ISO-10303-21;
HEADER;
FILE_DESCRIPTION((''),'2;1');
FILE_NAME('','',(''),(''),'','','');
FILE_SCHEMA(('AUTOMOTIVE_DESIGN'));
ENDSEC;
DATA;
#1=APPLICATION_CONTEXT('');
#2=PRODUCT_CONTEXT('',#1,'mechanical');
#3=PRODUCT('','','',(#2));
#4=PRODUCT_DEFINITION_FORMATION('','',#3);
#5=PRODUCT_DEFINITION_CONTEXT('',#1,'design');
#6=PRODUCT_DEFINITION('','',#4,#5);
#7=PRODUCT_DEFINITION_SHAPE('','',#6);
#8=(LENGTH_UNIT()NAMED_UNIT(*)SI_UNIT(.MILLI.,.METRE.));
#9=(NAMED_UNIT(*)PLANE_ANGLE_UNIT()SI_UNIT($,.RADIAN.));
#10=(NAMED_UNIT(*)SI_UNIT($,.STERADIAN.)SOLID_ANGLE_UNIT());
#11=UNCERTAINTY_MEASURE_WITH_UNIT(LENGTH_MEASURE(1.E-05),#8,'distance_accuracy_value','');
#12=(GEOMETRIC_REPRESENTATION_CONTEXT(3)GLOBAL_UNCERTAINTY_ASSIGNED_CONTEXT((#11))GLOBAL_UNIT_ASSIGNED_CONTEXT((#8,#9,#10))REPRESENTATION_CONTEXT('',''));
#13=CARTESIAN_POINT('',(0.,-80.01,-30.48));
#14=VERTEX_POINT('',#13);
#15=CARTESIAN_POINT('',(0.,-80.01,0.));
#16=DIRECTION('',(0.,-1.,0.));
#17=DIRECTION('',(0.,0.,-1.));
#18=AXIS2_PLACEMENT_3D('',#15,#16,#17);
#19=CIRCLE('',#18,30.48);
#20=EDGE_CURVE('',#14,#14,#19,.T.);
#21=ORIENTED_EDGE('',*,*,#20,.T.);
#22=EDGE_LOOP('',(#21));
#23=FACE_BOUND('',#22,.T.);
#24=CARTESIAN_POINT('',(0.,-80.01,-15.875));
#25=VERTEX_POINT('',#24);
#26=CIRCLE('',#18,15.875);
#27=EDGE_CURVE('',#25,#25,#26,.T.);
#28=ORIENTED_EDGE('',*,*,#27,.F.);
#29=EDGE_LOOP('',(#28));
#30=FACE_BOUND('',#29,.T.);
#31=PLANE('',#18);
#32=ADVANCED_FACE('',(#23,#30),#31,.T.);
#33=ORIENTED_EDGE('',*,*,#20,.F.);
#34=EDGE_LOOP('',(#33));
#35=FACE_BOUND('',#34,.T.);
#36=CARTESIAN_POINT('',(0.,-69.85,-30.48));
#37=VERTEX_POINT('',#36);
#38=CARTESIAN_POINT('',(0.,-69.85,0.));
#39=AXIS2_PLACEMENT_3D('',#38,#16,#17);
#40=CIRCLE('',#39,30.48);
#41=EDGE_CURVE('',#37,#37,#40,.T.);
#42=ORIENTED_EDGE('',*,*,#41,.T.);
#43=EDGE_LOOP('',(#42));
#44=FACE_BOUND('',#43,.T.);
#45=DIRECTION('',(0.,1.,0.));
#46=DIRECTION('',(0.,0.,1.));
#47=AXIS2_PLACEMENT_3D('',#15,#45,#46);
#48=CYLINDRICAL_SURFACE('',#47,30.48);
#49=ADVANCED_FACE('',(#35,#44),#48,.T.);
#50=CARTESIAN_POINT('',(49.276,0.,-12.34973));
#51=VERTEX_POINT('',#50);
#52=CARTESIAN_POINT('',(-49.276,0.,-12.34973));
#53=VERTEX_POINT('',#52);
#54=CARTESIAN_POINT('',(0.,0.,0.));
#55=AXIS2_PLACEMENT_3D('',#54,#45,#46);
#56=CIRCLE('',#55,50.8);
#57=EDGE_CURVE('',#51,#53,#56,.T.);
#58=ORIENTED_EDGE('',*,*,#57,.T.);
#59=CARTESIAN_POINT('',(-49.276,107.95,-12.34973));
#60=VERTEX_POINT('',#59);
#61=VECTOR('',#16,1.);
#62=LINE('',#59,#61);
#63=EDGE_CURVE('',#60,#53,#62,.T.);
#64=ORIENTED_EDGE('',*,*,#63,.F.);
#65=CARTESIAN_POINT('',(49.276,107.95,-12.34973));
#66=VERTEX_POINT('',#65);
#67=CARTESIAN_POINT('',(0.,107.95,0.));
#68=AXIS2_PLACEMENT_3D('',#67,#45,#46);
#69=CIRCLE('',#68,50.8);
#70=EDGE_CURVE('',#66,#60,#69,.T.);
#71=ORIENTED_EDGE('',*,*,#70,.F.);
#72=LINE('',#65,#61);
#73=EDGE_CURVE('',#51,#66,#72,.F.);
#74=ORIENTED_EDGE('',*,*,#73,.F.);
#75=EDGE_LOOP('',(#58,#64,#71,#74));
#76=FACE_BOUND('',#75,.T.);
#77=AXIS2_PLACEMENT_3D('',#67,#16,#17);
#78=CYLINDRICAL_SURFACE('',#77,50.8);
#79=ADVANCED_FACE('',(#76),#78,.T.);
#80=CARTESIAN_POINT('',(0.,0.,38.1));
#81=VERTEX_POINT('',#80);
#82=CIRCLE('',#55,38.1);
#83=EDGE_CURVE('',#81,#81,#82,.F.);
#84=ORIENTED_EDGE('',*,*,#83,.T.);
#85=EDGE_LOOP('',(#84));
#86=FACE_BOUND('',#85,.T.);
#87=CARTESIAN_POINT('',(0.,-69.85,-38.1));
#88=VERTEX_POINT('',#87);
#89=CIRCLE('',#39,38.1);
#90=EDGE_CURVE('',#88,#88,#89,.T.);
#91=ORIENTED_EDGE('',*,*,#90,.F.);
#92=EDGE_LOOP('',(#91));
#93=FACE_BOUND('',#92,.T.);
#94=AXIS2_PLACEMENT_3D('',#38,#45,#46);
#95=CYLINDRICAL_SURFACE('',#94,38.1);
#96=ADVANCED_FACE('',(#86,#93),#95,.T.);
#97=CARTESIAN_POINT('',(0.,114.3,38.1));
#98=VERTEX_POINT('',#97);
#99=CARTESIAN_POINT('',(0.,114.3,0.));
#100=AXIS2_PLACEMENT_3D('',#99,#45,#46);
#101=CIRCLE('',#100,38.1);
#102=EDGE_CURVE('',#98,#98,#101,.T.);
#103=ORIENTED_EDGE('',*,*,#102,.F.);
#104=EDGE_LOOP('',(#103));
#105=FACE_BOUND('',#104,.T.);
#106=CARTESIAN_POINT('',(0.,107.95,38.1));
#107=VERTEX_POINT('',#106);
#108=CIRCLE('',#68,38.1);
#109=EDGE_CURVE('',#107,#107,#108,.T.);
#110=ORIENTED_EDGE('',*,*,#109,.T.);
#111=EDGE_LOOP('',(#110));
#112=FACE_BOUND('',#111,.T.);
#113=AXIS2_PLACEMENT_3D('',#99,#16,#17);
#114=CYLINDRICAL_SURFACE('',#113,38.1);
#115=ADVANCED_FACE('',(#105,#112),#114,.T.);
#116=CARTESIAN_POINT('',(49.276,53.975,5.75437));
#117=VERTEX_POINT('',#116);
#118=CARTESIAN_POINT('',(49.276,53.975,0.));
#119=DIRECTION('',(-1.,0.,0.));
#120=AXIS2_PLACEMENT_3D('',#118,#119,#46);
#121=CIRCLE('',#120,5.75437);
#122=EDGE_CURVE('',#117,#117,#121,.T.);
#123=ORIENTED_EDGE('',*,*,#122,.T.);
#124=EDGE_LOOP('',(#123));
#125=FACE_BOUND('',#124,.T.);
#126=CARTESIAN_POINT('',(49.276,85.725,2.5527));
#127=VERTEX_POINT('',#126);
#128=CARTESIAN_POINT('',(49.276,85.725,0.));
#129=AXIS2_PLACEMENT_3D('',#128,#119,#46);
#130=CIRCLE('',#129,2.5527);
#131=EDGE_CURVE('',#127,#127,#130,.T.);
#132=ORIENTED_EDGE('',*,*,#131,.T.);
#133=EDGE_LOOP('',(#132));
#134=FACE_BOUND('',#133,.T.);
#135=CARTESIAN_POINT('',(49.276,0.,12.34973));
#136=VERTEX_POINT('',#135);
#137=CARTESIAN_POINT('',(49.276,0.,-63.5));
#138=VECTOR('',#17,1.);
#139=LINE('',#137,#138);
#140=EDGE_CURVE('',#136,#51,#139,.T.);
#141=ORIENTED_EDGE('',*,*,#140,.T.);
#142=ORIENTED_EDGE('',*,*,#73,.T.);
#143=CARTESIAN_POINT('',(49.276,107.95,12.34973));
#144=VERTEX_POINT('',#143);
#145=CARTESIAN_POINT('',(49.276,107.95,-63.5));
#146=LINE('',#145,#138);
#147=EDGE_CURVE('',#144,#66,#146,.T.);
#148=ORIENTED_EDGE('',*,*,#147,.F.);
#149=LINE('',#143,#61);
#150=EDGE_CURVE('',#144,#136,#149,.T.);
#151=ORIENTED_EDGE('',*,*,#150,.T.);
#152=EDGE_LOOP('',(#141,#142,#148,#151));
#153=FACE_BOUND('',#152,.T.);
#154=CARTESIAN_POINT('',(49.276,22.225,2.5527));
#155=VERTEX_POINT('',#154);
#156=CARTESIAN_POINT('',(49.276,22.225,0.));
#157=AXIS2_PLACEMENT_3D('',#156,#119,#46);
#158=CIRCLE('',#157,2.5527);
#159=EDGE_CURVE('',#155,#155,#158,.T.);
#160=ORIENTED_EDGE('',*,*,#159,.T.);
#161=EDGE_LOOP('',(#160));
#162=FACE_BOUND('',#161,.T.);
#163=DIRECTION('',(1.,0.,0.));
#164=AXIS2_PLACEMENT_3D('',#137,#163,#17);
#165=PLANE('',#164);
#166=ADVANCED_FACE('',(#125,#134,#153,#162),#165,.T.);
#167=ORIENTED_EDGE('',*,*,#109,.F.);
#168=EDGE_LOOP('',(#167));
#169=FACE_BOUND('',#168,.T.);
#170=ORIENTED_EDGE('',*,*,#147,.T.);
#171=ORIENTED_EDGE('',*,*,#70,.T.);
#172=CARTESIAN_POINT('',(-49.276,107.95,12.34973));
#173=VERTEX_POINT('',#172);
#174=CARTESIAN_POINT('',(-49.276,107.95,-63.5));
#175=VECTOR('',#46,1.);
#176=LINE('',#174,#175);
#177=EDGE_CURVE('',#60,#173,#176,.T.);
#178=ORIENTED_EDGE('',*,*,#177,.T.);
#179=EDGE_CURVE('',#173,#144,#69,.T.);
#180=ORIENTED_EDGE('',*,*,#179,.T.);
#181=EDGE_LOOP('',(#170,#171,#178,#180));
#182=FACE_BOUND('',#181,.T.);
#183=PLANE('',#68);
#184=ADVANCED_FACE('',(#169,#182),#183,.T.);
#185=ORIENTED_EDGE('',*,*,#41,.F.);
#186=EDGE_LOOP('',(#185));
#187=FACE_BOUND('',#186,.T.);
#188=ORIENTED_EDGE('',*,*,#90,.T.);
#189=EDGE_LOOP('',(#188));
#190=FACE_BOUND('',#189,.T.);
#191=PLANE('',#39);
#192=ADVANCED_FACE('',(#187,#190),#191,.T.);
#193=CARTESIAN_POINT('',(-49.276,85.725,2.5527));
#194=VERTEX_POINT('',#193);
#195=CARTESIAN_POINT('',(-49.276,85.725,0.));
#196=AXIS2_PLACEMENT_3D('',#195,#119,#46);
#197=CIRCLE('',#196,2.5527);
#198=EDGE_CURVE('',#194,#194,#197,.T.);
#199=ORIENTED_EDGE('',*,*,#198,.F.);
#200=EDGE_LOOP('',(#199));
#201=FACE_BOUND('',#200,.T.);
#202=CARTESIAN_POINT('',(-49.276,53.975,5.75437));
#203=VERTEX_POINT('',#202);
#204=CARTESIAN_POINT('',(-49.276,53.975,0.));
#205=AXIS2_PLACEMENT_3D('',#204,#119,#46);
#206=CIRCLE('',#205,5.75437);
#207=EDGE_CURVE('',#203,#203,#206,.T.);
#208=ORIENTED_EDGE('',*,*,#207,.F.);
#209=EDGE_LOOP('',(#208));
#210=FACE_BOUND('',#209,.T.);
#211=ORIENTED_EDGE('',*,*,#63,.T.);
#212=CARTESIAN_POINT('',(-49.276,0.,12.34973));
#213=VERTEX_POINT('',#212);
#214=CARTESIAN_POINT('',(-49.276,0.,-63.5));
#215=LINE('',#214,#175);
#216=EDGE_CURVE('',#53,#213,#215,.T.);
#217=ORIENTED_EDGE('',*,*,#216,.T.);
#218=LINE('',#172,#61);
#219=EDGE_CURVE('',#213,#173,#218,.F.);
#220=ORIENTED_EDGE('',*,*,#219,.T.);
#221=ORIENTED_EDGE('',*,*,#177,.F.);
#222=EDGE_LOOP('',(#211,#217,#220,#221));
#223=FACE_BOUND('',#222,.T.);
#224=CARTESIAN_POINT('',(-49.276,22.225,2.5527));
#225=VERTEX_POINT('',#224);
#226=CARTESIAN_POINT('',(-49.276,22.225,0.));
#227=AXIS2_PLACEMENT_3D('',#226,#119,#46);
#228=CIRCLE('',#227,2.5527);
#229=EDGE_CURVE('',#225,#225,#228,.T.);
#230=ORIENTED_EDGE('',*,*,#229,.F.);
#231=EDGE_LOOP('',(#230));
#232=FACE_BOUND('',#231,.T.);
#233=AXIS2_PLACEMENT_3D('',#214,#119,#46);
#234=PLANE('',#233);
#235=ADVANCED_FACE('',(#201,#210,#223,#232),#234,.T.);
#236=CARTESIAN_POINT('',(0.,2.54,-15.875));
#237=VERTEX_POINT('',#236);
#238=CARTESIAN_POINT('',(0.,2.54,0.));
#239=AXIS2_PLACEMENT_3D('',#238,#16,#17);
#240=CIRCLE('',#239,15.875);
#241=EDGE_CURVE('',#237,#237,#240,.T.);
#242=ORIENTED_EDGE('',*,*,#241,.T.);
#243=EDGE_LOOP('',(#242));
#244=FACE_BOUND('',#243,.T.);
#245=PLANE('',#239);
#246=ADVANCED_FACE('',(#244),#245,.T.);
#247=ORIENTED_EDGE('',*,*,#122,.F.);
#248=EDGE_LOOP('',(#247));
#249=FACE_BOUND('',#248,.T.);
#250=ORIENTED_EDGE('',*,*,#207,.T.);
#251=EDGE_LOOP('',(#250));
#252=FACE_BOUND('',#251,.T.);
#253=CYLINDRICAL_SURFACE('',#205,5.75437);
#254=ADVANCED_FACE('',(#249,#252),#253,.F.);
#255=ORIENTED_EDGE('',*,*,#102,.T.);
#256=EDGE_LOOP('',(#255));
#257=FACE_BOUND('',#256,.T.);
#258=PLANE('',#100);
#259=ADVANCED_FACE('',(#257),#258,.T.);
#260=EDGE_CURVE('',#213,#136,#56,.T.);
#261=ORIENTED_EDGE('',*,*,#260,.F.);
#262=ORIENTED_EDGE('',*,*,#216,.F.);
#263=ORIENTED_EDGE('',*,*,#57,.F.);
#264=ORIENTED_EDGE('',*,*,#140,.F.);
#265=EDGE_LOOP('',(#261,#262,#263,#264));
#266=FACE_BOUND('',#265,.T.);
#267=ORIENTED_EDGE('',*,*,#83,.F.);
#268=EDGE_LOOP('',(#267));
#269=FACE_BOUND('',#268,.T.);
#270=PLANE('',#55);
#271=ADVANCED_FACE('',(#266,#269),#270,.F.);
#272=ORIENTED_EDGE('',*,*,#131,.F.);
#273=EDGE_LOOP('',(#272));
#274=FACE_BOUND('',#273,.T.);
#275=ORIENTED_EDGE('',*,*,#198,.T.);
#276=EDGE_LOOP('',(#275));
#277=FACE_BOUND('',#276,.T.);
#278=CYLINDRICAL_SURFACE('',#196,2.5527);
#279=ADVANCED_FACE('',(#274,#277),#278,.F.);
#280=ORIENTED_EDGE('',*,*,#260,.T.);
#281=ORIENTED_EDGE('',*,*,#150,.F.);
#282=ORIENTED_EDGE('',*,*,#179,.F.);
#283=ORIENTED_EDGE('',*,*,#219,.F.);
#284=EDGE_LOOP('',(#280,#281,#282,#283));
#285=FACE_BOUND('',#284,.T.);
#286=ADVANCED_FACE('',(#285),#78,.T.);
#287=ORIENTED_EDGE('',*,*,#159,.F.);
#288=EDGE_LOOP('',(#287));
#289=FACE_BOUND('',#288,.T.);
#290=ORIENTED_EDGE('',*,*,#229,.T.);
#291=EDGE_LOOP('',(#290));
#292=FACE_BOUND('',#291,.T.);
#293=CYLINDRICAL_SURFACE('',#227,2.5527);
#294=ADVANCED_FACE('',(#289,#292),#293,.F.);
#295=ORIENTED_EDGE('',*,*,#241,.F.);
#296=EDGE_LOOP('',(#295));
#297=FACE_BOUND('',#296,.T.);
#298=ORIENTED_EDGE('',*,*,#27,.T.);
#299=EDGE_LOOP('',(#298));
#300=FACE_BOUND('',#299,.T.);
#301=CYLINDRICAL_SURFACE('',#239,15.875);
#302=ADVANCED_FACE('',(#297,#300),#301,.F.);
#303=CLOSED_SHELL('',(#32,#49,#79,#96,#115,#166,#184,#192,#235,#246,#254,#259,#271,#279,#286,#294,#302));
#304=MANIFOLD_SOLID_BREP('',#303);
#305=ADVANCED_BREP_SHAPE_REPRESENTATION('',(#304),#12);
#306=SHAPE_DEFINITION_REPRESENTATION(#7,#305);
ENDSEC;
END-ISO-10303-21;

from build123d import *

# Parameters (mm, degrees)
SKETCH1_R               = 50.8
BOSS_EXTRUDE1_DEPTH     = 107.95
SKETCH2_R               = 38.1
BOSS_EXTRUDE2_DEPTH     = 6.35
BOSS_EXTRUDE3_START     = 69.85
SKETCH3_R               = 38.1
BOSS_EXTRUDE3_DEPTH     = 69.85
SKETCH4_R               = 30.48
BOSS_EXTRUDE4_DEPTH     = 10.16
SKETCH5_R               = 15.875
CUT_EXTRUDE1_DEPTH      = 82.55
SKETCH7_OUTSIDE_W       = 151.932
SKETCH7_OUTSIDE_H       = 151.932
SKETCH7_OUTSIDE_W_2     = 98.552
SKETCH7_OUTSIDE_H_2     = 127
CUT_EXTRUDE2_DEPTH      = 107.95
F_1_2_20_TAPPED_HOLE1_D = 11.50874
F_1_4_20_TAPPED_HOLE1_D = 5.1054


with BuildPart() as part:
    # Sketch1 → Boss-Extrude1 (new body)
    with BuildSketch(Plane(origin=(0, 0, 0), x_dir=(1, 0, 0), z_dir=(0, 1, 0))):
        with Locations(Location((0, 0, 0), (0, 0, 270))):
            Circle(SKETCH1_R)
    extrude(amount=BOSS_EXTRUDE1_DEPTH)

    # Sketch2 → Boss-Extrude2 (add)
    with BuildSketch(Plane(origin=(0, 107.95, 0), x_dir=(1, 0, 0), z_dir=(0, 1, 0))):
        with Locations(Location((0, 0, 0), (0, 0, 270))):
            Circle(SKETCH2_R)
    extrude(amount=BOSS_EXTRUDE2_DEPTH)

    # Sketch3 → Boss-Extrude3 (add)
    with BuildSketch(Plane.XZ.offset(BOSS_EXTRUDE3_START)):
        with Locations(Location((0, 0, 0), (0, 0, 90))):
            Circle(SKETCH3_R)
    extrude(amount=-BOSS_EXTRUDE3_DEPTH)

    # Sketch4 → Boss-Extrude4 (add)
    with BuildSketch(Plane.XZ.offset(69.85)):
        with Locations(Location((0, 0, 0), (0, 0, 270))):
            Circle(SKETCH4_R)
    extrude(amount=BOSS_EXTRUDE4_DEPTH)

    # Sketch5 → Cut-Extrude1 (cut)
    with BuildSketch(Plane.XZ.offset(80.01)):
        with Locations(Location((0, 0, 0), (0, 0, 270))):
            Circle(SKETCH5_R)
    extrude(amount=-CUT_EXTRUDE1_DEPTH, mode=Mode.SUBTRACT)

    # Sketch7 outside → Cut-Extrude2 (cut)
    with BuildSketch(Plane(origin=(0, 107.95, 0), x_dir=(1, 0, 0), z_dir=(0, 1, 0))):
        Rectangle(SKETCH7_OUTSIDE_W, SKETCH7_OUTSIDE_H)
        Rectangle(SKETCH7_OUTSIDE_W_2, SKETCH7_OUTSIDE_H_2, mode=Mode.SUBTRACT)
    extrude(amount=-CUT_EXTRUDE2_DEPTH, mode=Mode.SUBTRACT)

    # 1/2-20 Tapped Hole1 (through all)
    with Locations(Plane.ZY.offset(49.276)):
        with Locations((0, 53.975)):
            Hole(F_1_2_20_TAPPED_HOLE1_D / 2)

    # 1/4-20 Tapped Hole1 (through all)
    with Locations(Plane.ZY.offset(49.276)):
        with Locations((0, 85.725), (0, 22.225)):
            Hole(F_1_4_20_TAPPED_HOLE1_D / 2)


solid = part.part
